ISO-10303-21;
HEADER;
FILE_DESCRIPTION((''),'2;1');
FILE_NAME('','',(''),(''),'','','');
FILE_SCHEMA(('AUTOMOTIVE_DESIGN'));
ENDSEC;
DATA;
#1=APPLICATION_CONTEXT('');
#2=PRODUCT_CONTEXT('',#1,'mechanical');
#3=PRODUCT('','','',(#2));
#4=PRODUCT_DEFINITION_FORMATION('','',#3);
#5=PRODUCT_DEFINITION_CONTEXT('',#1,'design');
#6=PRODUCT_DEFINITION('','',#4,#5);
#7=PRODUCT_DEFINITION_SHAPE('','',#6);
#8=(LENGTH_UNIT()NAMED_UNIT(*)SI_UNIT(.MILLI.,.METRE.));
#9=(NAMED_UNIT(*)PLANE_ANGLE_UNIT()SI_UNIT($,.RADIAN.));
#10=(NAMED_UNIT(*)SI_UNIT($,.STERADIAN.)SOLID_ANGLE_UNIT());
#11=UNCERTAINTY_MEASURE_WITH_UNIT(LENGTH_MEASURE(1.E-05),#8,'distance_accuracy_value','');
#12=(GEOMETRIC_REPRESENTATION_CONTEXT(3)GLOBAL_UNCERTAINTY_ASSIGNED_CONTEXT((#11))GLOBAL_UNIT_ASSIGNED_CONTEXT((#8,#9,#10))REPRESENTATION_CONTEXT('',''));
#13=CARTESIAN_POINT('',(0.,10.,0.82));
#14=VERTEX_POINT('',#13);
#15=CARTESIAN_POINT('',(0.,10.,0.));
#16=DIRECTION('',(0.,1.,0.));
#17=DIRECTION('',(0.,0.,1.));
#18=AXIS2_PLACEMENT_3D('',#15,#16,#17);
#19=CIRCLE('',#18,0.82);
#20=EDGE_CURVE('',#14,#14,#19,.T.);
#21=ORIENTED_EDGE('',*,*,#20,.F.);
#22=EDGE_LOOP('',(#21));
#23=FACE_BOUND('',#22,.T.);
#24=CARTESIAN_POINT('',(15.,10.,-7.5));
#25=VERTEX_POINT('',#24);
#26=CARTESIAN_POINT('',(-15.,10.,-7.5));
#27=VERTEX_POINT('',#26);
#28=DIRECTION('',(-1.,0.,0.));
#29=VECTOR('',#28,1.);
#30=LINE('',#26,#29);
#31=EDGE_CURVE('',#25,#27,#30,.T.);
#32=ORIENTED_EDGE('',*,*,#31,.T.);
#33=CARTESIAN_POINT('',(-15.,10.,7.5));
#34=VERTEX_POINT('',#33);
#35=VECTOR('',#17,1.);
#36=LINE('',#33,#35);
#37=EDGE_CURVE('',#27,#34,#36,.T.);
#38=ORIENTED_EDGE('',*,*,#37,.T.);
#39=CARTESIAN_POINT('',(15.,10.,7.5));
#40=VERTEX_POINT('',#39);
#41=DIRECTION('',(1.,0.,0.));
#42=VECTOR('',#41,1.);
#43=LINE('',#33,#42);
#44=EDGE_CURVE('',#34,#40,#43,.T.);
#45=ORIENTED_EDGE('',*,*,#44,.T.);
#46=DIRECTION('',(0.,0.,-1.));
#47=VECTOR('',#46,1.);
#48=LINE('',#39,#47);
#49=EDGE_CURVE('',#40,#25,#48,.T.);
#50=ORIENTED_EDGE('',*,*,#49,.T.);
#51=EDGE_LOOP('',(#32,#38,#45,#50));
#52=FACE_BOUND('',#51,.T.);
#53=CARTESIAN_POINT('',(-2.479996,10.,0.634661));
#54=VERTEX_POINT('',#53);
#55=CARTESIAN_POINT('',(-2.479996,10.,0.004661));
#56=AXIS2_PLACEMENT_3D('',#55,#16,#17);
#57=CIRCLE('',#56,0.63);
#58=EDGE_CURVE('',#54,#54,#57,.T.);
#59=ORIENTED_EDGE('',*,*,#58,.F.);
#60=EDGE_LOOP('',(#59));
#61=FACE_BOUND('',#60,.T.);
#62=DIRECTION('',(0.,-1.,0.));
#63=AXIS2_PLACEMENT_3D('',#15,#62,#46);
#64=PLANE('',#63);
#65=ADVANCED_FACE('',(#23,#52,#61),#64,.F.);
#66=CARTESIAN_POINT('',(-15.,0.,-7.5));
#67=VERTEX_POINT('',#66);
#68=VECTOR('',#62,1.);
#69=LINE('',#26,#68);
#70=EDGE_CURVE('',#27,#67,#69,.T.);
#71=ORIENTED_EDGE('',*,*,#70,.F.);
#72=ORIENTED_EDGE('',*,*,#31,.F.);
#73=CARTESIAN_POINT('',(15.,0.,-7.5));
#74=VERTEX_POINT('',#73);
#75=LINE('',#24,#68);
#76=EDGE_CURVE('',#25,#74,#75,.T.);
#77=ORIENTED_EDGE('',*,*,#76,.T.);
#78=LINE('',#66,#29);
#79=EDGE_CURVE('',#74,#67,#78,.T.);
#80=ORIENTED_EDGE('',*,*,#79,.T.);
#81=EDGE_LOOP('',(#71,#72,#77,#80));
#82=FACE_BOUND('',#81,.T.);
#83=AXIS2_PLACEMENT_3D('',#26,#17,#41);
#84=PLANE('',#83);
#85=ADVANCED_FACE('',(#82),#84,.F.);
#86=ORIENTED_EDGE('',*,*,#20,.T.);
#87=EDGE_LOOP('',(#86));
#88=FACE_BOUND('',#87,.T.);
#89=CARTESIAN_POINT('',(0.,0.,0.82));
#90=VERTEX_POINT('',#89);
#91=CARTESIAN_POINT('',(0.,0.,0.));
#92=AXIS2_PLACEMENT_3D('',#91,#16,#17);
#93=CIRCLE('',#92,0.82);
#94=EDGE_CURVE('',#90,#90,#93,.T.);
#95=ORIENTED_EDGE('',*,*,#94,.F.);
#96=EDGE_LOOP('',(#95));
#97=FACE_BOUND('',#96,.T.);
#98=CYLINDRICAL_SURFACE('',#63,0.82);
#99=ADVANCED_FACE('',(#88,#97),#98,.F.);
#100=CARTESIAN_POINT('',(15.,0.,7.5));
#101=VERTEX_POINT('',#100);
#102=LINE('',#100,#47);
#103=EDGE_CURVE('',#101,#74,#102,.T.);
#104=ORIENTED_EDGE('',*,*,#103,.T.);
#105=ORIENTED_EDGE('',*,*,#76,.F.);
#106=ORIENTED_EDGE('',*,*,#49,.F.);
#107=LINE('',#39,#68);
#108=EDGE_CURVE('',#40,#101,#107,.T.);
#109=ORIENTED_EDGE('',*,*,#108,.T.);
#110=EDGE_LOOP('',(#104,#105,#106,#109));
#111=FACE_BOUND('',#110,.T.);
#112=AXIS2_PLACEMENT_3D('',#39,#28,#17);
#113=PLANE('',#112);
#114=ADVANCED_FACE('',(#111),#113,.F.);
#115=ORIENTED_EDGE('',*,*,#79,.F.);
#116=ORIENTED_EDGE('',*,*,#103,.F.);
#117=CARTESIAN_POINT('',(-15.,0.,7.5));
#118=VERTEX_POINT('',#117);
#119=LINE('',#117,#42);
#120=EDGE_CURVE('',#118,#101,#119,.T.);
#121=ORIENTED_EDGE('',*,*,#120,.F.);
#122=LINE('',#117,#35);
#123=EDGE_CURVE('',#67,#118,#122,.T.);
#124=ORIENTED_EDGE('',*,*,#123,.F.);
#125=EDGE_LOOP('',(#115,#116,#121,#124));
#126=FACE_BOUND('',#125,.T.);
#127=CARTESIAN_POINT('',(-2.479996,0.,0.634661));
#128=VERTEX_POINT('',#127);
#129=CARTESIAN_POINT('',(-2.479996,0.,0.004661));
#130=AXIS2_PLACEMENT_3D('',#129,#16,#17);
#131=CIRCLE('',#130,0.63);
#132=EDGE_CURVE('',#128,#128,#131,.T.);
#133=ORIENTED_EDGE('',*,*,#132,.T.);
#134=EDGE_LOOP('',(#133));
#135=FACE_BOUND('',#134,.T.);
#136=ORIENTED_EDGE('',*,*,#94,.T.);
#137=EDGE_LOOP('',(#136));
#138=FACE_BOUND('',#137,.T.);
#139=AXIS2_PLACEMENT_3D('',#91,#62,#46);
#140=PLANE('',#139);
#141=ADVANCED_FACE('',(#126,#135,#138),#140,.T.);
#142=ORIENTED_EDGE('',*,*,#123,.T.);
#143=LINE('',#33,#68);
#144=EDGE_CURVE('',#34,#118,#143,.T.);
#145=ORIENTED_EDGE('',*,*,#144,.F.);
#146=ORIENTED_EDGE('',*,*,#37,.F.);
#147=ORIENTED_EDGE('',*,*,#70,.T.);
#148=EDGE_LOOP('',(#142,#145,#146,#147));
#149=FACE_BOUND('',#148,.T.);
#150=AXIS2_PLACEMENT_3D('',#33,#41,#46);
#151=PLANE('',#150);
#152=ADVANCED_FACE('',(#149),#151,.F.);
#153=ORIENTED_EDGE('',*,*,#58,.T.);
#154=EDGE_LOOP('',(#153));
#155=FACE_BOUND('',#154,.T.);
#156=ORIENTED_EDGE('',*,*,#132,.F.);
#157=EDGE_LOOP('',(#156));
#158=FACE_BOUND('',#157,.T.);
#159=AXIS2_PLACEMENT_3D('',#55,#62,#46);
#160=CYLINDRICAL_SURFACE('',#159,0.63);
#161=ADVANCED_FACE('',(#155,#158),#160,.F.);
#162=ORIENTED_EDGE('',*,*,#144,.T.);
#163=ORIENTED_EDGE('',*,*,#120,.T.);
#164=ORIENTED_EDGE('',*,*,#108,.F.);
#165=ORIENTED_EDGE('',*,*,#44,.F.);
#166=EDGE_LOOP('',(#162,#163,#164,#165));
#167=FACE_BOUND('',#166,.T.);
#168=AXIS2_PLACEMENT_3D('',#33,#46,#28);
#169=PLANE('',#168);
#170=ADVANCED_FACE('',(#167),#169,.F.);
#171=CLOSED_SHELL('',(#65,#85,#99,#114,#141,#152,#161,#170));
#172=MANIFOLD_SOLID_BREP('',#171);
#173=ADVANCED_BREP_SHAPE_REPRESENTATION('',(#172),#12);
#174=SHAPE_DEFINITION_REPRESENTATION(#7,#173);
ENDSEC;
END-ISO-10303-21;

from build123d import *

# Parameters (mm, degrees)
SKETCH1_W           = 30
SKETCH1_H           = 15
SKETCH1_R           = 0.82
SKETCH1_R_2         = 0.63
BOSS_EXTRUDE1_DEPTH = 10


with BuildPart() as part:
    # Sketch1 → Boss-Extrude1 (new body)
    with BuildSketch(Plane(origin=(0, 0, 0), x_dir=(1, 0, 0), z_dir=(0, 1, 0))):
        Rectangle(SKETCH1_W, SKETCH1_H)
        with Locations(Location((0, 0, 0), (0, 0, 270))):
            Circle(SKETCH1_R, mode=Mode.SUBTRACT)
        with Locations(Location((-2.479995619, -0.004661312, 0), (0, 0, 270))):
            Circle(SKETCH1_R_2, mode=Mode.SUBTRACT)
    extrude(amount=BOSS_EXTRUDE1_DEPTH)


solid = part.part
